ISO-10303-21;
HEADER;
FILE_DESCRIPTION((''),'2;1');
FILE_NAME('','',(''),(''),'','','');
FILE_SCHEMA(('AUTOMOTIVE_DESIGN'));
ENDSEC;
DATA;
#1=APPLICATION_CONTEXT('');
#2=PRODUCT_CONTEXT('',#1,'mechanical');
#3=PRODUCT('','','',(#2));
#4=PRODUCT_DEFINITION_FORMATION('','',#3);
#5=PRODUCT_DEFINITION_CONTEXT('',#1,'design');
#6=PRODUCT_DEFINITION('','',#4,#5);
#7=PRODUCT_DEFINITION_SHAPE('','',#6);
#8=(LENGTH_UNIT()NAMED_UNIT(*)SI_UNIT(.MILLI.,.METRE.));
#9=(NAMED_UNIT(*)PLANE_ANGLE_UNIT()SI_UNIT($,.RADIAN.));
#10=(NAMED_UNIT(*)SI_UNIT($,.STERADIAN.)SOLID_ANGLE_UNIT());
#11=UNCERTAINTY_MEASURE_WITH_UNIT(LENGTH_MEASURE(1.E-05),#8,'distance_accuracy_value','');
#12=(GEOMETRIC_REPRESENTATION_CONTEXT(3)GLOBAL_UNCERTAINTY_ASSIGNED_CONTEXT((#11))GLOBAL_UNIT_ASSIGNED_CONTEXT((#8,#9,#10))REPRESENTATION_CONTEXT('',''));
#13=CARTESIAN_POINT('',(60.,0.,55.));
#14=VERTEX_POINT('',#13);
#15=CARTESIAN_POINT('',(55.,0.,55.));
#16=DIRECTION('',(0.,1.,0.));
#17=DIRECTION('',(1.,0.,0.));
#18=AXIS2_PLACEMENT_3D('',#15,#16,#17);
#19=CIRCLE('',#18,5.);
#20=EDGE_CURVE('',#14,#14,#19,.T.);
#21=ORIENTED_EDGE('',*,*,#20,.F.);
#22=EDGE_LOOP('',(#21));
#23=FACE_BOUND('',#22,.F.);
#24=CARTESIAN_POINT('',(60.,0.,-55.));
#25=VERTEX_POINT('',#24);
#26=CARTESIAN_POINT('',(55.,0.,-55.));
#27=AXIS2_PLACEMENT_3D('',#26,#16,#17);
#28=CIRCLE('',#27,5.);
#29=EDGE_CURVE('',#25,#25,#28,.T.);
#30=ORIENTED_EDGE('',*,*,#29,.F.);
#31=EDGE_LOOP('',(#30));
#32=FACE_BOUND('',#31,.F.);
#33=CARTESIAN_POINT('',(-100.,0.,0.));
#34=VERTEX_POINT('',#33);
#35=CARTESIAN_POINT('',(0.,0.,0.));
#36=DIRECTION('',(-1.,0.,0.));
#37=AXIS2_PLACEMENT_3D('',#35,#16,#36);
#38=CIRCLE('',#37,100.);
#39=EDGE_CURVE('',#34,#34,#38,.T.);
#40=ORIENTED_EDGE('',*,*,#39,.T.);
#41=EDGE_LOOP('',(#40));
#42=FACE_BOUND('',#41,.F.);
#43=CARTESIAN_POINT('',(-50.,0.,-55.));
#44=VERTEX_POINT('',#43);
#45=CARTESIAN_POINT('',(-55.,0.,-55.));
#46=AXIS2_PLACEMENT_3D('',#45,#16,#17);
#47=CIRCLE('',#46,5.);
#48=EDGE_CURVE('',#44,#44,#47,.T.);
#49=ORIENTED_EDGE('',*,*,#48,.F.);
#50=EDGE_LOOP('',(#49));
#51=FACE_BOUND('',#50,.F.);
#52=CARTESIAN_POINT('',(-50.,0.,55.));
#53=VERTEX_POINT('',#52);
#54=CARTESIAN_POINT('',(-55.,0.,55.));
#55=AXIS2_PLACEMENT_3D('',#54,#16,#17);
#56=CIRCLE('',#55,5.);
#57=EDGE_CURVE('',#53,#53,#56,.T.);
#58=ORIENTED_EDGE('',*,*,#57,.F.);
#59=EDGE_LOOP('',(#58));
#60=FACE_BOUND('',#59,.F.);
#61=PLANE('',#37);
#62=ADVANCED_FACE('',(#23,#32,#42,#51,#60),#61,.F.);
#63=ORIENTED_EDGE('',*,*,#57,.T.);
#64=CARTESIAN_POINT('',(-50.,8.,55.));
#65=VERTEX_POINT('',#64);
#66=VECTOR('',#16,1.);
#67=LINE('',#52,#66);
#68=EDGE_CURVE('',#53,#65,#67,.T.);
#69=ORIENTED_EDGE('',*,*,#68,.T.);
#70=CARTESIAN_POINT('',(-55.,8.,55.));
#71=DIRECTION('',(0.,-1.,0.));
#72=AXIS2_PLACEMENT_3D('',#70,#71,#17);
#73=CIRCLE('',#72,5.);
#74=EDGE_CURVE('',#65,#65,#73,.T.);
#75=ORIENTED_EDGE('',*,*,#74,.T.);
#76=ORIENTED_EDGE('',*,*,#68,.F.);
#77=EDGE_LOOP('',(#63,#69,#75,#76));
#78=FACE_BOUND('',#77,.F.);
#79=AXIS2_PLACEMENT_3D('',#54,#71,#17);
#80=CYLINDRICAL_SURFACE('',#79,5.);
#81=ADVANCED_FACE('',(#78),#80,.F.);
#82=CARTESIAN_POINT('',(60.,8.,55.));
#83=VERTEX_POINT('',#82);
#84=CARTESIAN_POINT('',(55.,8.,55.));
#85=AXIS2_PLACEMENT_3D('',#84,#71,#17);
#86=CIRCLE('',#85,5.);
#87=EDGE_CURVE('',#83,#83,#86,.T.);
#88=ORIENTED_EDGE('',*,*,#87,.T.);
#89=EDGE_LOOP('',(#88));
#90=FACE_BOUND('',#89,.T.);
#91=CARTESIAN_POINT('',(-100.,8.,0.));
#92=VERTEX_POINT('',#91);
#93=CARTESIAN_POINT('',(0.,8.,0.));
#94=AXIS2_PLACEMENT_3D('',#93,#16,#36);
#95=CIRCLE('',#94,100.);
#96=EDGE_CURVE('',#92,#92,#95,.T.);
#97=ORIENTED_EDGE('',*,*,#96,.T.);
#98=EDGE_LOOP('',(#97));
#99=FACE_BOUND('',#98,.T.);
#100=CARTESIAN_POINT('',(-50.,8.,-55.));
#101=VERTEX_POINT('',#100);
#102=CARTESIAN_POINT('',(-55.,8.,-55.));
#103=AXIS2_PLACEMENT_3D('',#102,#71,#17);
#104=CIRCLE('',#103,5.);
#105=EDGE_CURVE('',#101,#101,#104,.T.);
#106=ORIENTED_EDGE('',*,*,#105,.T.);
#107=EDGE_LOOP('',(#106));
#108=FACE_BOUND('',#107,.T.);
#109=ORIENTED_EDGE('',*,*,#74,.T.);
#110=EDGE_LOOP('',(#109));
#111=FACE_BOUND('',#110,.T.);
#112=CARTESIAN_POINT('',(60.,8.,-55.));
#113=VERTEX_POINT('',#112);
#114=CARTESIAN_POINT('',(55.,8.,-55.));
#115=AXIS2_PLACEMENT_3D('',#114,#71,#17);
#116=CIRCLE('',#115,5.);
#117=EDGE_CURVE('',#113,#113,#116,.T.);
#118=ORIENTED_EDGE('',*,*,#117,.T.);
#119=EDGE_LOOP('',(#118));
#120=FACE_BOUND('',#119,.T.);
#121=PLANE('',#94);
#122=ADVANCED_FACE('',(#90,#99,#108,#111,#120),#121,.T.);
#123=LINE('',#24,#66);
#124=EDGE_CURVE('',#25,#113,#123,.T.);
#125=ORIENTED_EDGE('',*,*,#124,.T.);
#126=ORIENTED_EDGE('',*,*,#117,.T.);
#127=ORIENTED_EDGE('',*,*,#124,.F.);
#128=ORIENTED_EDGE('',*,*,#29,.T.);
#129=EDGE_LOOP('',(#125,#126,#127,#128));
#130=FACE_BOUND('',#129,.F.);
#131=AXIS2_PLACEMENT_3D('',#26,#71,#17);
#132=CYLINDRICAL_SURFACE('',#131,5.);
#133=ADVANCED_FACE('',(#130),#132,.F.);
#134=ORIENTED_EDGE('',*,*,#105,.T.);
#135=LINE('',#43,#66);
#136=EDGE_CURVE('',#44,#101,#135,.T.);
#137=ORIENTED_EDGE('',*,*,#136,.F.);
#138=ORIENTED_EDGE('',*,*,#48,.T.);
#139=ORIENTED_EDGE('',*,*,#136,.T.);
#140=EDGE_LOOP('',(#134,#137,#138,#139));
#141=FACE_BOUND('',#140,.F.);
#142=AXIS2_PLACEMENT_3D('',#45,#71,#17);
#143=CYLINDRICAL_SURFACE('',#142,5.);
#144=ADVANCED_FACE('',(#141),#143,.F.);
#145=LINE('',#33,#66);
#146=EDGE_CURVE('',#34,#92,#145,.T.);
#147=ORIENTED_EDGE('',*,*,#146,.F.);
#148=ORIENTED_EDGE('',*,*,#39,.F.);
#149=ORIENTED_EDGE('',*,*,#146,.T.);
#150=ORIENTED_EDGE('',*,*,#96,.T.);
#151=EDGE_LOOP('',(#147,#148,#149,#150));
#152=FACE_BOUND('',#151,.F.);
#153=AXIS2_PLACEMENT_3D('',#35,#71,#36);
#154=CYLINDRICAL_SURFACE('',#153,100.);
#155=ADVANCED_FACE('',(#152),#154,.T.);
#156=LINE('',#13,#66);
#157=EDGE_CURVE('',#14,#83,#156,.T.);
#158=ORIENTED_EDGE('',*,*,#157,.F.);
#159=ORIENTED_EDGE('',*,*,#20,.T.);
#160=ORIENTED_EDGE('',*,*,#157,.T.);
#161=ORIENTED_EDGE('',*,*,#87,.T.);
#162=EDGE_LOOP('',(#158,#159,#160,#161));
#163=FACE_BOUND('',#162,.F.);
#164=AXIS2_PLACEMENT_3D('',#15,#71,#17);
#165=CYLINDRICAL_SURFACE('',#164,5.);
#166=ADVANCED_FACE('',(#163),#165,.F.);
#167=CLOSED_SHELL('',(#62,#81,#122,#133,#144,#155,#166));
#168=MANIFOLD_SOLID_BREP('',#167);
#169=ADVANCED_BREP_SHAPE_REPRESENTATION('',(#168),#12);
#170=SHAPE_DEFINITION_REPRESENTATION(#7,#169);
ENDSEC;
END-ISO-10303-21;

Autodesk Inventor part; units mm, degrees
ref_plane "YZ Plane" through (0, 0, 0) normal (1, 0, 0) x (0, 1, 0)
ref_plane "XZ Plane" through (0, 0, 0) normal (0, 1, 0) x (-1, 0, 0)
ref_plane "XY Plane" through (0, 0, 0) normal (0, 0, 1) x (1, 0, 0)
sketch "Esquisse1" plane through (0, 0, 0) normal (0, 1, 0) x (-1, 0, 0)
  circle A0 centre (0, 0) radius 100
  line L0 (55, -55) -> (-55, -55)
  line L1 (-55, -55) -> (-55, 55)
  line L2 (-55, 55) -> (55, 55)
  line L3 (55, 55) -> (55, -55)
  line L4 (55, -55) -> (-55, 55) construction
  line L5 (-55, -55) -> (55, 55) construction
  circle A1 centre (-55, 55) radius 5
  circle A2 centre (55, 55) radius 5
  circle A3 centre (55, -55) radius 5
  circle A4 centre (-55, -55) radius 5
  dimension "d0" = 200
  dimension "d3" = 110
  dimension "d4" = 10
extrude "Extrusion1" add sketch "Esquisse1" along normal blind 8 contours A0 | A4 L1 L0 | A4 L1 A1 L2 A2 L3 A3 L0 | L0 L1 A4 | A3 L3 L0 | L0 L3 A3 | A1 L2 L1 | L1 L2 A1 | A2 L2 L3 | L3 L2 A2
sketch "Esquisse2" plane through (0, 0, 0) normal (0, -1, 0) x (1, 0, 0)
  line L0 (-55, -55) -> (55, -55)
  line L1 (55, -55) -> (55, 55)
  line L2 (55, 55) -> (-55, 55)
  line L3 (-55, 55) -> (-55, -55)
  line L4 (-55, -55) -> (55, 55) construction
  line L5 (55, -55) -> (-55, 55) construction
  circle A0 centre (-55, 55) radius 5
  circle A1 centre (55, 55) radius 5
  circle A2 centre (55, -55) radius 5
  circle A3 centre (-55, -55) radius 5
  point P0 (0, 0)
  dimension "d5" = 110
  dimension "d6" = 10
extrude "Extrusion2" cut sketch "Esquisse2" against normal blind 10 contours L3 A3 L0 | L0 A3 L3 | A2 L1 L0 | L0 L1 A2 | A0 L2 L3 | L3 L2 A0 | A1 L2 L1 | L1 L2 A1
properties part number "base" material "Bois (bouleau)"
